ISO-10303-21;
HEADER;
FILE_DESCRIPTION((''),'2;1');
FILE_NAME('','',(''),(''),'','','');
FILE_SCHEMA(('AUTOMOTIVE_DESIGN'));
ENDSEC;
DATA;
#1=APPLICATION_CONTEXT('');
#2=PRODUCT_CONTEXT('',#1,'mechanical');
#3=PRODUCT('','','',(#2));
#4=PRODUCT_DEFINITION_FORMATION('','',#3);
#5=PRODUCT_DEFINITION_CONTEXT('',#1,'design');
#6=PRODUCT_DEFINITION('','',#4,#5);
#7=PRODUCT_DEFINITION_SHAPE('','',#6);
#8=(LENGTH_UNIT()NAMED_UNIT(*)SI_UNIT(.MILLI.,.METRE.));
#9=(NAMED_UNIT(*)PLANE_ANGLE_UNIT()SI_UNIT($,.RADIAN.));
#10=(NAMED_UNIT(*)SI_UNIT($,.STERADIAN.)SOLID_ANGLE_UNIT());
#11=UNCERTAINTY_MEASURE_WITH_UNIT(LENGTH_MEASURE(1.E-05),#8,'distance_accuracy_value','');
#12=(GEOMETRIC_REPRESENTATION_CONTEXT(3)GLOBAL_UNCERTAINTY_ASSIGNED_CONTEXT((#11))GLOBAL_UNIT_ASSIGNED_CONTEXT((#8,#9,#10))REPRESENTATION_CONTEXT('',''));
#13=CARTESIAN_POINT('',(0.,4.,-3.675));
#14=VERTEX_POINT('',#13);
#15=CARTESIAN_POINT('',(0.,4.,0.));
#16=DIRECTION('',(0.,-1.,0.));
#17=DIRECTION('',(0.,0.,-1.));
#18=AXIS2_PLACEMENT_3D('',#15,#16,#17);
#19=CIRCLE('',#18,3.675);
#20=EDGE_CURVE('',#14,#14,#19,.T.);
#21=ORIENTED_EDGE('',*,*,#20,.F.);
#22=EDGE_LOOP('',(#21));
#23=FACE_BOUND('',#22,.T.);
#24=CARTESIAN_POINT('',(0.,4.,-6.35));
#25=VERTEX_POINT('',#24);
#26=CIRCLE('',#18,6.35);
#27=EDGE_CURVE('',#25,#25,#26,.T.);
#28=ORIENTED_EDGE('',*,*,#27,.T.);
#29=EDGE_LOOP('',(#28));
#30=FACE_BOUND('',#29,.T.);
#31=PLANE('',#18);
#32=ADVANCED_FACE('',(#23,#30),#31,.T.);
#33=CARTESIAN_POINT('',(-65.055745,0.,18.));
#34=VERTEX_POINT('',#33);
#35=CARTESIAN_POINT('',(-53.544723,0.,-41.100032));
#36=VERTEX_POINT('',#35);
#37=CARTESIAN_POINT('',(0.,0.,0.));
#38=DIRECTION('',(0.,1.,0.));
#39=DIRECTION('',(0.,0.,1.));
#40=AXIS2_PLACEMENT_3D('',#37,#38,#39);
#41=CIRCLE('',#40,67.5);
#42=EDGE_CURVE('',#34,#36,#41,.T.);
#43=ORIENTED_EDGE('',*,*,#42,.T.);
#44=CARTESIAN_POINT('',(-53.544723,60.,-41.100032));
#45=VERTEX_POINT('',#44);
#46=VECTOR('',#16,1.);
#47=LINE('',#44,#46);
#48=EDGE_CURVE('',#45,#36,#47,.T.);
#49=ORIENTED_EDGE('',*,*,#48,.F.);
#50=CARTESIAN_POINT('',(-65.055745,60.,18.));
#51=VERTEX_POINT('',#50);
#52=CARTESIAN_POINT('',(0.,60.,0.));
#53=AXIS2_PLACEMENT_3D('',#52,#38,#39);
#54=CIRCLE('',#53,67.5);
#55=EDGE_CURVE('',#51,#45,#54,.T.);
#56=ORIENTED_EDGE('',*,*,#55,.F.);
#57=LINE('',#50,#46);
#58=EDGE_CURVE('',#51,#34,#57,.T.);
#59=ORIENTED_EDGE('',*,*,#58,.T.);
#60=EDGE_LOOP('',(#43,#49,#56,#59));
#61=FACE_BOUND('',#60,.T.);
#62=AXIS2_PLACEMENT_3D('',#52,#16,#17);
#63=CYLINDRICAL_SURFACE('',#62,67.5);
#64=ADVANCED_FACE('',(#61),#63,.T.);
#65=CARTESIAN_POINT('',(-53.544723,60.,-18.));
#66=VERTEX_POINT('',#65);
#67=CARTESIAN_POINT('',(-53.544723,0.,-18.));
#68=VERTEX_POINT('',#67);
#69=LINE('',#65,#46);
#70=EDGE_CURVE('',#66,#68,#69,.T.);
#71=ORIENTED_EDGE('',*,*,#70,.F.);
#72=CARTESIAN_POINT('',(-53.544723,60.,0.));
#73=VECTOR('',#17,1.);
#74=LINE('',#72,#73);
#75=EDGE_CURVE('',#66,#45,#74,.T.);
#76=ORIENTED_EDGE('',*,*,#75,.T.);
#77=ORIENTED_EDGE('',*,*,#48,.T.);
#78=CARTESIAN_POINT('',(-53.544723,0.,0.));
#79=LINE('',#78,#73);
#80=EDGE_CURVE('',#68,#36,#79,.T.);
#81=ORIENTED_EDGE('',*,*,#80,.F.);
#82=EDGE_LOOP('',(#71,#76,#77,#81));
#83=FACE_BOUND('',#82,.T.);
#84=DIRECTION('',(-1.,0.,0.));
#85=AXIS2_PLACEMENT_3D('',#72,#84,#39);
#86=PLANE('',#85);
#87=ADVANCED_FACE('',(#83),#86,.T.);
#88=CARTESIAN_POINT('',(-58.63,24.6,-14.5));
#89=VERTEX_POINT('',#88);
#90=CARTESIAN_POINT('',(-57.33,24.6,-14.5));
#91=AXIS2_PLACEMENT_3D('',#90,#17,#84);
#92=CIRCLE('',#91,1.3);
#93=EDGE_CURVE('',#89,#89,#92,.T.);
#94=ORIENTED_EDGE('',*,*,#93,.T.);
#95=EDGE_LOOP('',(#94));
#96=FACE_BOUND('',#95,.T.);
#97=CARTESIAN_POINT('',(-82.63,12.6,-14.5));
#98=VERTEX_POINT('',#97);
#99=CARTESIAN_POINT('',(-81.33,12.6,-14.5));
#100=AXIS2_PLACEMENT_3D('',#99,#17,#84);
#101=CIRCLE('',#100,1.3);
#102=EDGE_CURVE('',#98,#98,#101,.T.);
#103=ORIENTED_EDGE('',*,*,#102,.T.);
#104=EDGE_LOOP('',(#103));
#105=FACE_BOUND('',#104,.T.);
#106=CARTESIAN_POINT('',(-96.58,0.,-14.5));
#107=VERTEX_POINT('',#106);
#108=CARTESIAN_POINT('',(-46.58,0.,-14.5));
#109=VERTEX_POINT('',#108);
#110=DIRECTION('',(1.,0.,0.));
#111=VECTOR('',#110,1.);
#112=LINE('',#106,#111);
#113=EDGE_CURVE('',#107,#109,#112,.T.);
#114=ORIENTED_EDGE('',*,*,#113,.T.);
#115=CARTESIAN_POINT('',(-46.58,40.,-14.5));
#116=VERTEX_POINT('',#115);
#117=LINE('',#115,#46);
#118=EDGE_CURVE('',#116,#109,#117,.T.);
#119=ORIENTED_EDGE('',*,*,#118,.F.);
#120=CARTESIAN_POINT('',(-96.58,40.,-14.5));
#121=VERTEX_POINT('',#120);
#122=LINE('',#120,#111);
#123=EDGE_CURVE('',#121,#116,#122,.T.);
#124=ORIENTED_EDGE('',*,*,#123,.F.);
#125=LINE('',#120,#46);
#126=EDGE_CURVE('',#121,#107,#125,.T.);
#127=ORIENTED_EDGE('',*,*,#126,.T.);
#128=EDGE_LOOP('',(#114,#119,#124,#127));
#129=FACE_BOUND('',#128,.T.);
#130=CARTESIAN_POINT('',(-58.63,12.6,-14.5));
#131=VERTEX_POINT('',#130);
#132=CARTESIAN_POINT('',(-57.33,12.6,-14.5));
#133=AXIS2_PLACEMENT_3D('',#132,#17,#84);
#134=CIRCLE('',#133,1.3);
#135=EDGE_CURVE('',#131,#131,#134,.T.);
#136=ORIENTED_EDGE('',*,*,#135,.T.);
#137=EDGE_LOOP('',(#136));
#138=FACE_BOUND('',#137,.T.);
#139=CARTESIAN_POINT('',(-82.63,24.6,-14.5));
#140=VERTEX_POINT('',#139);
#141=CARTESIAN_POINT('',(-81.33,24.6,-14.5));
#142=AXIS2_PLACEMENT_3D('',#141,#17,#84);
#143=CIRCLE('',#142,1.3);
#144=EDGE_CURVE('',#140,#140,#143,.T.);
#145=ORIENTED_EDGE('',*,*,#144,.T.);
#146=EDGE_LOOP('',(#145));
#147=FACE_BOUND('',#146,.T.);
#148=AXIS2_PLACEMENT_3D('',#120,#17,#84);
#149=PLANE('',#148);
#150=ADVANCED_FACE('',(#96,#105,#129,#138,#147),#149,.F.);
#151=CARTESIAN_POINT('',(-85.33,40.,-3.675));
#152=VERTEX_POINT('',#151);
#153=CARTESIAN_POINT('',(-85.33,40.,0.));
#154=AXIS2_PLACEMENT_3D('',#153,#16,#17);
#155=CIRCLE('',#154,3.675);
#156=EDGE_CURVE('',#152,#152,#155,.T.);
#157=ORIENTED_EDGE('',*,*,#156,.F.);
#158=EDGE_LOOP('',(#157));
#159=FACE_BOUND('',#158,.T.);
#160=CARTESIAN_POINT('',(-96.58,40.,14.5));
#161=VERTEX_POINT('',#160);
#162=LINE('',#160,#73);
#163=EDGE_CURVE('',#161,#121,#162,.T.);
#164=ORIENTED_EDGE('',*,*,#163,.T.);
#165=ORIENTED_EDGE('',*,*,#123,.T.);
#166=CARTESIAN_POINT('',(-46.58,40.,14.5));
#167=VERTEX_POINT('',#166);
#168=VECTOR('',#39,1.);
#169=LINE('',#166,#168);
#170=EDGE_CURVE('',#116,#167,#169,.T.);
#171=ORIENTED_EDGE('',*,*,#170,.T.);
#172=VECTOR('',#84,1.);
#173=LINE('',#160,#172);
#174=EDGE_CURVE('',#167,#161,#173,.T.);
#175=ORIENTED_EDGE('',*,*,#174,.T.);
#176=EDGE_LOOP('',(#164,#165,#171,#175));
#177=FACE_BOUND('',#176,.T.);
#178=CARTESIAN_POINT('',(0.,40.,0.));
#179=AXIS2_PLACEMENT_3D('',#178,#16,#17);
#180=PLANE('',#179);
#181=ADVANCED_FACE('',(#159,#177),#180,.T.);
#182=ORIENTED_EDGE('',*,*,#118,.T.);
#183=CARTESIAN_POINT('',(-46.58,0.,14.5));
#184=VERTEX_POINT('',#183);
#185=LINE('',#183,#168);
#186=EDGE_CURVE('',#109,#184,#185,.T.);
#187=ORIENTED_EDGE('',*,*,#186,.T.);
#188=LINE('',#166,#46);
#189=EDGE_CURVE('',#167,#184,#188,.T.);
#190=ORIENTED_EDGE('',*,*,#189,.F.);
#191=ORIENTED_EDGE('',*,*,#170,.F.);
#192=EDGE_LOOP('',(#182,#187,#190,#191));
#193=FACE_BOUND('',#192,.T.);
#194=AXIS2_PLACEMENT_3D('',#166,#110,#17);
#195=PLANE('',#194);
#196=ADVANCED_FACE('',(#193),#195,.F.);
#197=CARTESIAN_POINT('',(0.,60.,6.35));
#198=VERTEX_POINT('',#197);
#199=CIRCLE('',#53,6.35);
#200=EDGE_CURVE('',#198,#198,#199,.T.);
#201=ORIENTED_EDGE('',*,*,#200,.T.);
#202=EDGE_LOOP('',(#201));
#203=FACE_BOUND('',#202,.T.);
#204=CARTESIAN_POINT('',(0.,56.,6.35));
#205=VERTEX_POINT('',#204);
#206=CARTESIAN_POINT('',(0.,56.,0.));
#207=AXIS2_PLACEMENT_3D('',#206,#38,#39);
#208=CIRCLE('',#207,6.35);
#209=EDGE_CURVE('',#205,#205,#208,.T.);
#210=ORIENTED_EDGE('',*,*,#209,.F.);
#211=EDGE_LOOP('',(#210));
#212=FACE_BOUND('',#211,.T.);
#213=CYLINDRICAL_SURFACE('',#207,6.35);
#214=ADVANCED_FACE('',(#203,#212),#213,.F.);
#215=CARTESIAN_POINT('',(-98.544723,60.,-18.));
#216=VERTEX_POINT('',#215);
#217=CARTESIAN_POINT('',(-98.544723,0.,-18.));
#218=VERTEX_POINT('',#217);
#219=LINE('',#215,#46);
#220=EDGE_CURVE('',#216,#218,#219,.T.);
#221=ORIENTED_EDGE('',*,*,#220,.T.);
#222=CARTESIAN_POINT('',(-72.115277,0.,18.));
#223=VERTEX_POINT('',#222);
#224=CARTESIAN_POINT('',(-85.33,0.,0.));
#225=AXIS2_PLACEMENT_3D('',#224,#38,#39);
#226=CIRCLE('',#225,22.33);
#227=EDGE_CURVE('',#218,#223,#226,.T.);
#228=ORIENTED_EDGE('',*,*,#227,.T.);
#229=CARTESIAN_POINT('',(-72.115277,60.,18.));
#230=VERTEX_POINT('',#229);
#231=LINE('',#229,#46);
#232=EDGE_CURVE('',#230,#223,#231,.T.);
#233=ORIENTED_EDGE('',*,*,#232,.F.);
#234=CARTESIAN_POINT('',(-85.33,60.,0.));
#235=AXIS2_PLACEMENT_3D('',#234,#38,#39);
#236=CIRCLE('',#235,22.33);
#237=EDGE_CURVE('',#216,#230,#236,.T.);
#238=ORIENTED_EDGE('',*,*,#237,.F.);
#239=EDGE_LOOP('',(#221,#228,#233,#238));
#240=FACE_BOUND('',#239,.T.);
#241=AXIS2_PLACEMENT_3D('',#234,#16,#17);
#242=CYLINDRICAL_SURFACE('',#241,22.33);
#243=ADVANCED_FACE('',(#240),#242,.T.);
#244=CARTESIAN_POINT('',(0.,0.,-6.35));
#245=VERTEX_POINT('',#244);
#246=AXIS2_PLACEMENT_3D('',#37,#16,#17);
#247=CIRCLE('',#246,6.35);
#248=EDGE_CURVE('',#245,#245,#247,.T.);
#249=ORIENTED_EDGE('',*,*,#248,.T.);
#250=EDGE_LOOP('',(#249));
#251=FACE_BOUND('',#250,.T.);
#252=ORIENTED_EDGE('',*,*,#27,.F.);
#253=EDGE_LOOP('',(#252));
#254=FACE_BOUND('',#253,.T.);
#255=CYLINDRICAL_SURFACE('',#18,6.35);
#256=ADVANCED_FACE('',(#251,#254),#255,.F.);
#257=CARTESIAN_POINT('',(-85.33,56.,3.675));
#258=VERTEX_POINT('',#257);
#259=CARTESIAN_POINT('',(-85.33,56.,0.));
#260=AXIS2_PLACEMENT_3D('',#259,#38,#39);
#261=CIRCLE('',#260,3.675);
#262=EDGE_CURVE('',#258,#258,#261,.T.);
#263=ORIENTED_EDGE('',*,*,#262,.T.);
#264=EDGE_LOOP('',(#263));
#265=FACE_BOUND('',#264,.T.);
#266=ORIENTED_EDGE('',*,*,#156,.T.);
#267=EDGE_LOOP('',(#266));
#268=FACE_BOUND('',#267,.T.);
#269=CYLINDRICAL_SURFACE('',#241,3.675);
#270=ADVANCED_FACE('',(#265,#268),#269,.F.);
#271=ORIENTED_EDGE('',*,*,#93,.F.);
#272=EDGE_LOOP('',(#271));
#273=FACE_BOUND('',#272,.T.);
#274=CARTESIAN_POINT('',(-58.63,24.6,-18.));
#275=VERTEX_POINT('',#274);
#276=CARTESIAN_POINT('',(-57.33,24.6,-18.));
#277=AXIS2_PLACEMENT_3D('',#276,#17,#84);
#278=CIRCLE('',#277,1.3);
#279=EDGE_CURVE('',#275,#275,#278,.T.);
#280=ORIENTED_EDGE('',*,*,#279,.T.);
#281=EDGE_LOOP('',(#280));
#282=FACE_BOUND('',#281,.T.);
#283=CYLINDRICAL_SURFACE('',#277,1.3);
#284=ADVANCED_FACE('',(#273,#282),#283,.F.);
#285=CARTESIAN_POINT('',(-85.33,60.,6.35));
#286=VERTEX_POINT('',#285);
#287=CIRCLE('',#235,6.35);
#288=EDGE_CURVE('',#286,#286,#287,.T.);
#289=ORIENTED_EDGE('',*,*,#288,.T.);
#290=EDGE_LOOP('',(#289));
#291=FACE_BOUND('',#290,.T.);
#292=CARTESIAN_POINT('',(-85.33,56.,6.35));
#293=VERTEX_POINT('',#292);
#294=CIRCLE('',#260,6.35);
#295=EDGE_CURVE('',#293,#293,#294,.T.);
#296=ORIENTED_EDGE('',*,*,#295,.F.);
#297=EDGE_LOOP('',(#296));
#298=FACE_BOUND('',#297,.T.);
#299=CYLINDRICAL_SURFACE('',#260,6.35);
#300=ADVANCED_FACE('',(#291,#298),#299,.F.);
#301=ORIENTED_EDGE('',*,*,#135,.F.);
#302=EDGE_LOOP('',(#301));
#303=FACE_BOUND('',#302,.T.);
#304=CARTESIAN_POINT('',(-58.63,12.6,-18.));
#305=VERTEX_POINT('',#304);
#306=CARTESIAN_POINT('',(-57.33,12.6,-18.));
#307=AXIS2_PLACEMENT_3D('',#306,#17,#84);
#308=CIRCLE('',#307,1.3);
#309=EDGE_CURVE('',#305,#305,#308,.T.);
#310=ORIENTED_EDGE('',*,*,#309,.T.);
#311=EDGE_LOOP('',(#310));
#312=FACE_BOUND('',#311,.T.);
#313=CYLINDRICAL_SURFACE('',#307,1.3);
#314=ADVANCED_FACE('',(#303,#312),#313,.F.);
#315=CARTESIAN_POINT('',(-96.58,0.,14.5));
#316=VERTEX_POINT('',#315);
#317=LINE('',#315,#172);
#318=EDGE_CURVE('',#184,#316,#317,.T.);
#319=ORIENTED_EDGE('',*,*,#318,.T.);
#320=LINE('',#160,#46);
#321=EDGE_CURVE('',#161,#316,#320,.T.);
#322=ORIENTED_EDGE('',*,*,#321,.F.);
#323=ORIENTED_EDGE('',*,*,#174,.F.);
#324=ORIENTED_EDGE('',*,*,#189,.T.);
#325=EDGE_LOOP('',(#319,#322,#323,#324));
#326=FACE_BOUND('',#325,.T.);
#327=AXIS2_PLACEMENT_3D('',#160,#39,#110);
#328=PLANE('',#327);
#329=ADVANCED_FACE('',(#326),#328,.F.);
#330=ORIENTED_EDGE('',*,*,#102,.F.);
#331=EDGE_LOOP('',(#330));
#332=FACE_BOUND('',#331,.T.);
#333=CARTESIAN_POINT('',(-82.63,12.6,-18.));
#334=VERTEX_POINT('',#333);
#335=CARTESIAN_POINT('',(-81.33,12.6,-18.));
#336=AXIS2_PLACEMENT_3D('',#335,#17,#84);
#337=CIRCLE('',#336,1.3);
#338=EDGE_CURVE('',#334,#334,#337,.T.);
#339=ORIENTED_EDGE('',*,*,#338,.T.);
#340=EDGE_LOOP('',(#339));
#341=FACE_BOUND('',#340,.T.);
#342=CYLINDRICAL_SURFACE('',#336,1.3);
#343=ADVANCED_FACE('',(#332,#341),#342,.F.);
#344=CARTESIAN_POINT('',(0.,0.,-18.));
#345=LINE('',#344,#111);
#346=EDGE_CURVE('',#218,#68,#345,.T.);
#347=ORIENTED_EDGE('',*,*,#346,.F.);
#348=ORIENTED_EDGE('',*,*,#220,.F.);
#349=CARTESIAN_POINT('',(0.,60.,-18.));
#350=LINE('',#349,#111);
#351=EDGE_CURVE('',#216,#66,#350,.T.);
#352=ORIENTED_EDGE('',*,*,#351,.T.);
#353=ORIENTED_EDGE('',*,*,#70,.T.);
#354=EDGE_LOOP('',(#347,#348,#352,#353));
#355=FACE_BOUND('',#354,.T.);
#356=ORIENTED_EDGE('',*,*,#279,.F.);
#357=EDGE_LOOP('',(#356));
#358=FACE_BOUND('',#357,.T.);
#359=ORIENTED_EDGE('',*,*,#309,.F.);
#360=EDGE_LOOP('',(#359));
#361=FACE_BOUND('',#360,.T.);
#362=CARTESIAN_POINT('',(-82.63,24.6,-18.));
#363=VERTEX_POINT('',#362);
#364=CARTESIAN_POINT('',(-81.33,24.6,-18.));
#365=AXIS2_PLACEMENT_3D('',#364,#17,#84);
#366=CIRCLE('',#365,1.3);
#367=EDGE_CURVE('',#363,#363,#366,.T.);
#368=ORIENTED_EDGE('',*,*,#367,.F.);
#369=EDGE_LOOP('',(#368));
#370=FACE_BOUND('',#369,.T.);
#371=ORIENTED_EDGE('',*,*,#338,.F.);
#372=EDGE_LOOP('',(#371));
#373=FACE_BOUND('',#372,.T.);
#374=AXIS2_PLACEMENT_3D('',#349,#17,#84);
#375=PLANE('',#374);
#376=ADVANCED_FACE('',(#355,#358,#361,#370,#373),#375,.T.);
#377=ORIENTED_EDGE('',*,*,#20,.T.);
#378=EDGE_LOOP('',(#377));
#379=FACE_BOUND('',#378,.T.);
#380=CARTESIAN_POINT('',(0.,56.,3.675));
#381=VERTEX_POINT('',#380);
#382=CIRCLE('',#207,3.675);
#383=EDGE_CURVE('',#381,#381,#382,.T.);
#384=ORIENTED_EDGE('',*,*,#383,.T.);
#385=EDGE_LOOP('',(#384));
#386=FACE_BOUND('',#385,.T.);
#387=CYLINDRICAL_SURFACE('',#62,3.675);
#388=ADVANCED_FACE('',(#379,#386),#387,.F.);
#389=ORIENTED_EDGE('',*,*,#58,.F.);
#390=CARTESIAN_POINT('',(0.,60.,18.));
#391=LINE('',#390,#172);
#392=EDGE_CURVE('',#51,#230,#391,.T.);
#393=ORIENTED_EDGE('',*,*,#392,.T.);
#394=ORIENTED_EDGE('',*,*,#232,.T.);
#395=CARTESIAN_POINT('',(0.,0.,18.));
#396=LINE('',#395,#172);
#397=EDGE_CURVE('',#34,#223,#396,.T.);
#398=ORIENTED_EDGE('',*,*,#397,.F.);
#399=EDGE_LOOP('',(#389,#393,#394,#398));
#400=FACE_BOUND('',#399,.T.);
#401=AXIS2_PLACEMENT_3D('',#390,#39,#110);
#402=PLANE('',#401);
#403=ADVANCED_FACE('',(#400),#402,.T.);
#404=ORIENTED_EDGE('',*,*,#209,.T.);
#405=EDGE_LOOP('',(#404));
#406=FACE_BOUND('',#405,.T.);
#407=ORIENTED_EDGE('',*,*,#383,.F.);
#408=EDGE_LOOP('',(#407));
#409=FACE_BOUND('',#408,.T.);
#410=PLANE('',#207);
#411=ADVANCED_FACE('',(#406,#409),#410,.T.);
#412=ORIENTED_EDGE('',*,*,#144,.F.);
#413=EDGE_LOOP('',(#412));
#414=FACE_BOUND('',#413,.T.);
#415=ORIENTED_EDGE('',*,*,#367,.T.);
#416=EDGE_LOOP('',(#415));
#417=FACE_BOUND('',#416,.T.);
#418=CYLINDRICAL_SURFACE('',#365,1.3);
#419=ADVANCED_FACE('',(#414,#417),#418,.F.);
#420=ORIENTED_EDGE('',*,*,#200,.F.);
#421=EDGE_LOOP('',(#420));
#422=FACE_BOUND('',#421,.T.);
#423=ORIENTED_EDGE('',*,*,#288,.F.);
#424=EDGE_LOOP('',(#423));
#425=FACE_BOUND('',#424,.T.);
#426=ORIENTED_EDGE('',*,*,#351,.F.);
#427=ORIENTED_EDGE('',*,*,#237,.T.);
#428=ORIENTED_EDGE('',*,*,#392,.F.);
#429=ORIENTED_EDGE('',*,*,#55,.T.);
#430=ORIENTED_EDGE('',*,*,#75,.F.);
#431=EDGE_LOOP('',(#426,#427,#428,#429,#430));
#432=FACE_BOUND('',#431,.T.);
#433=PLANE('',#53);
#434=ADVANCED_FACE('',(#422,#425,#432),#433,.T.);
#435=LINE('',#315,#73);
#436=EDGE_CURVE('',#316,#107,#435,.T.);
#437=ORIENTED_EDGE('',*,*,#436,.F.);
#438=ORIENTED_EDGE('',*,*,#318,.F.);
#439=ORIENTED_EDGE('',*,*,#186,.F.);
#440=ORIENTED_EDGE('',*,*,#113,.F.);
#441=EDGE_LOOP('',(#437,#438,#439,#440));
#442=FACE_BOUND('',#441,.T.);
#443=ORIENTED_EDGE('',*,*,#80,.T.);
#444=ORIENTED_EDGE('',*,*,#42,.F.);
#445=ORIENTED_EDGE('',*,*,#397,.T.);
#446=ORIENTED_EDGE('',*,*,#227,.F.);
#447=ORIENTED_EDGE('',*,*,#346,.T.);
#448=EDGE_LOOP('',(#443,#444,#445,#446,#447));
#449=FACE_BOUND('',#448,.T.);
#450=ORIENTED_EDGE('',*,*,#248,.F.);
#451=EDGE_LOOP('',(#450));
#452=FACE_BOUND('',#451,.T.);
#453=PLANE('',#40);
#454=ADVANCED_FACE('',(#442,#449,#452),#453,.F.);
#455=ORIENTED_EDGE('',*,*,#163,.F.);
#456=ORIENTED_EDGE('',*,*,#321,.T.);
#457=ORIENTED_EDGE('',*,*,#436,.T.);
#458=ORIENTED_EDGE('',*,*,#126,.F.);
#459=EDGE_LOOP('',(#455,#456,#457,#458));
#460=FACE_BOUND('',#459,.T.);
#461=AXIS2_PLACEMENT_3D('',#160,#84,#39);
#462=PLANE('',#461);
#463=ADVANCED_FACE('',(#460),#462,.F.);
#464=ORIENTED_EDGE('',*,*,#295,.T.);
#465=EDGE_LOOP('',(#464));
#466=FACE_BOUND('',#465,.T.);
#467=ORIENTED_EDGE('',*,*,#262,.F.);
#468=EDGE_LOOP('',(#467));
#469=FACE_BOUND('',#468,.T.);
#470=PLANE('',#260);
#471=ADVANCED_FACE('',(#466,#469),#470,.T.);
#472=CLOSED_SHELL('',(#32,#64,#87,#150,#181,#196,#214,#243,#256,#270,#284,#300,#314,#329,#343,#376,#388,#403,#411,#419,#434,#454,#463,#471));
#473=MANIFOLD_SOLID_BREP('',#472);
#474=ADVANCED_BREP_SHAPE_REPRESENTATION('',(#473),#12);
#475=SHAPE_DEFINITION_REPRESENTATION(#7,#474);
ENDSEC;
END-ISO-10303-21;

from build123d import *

# Parameters (mm, degrees)
ESQUISSE1_R             = 3.675
BOSS_EXTRU_1_DEPTH      = 60
ESQUISSE2_W             = 50
ESQUISSE2_H             = 29
ENL_V_MAT_EXTRU_1_DEPTH = 40
D_GAGEMENT_M21_D        = 2.6
D_GAGEMENT_M21_DEPTH    = 3.5
ESQUISSE4_R             = 6.35
ENL_V_MAT_EXTRU_2_DEPTH = 4
ENL_V_START             = -4
ESQUISSE5_R             = 6.35
ENL_V_MAT_EXTRU_3_DEPTH = 4
ESQUISSE6_R             = 6.35
ENL_V_MAT_EXTRU_4_DEPTH = 4


with BuildPart() as part:
    # Esquisse1 → Boss.-Extru.1 (new body)
    with BuildSketch(Plane(origin=(0, 0, 0), x_dir=(1, 0, 0), z_dir=(0, 1, 0))):
        with BuildLine():
            ThreePointArc((-98.54472285, 18), (-103.33, -13.21472285), (-72.11527715, -18))
            Line((-72.11527715, -18), (-65.055745327, -18))
            ThreePointArc((-65.055745327, -18), (66.254971265, -12.904603158), (-53.54472285, 41.100032298))
            Line((-53.54472285, 41.100032298), (-53.54472285, 18))
            Line((-53.54472285, 18), (-98.54472285, 18))
        make_face()
        with Locations(Location((-85.33, 0, 0), (0, 0, 270))):
            Circle(ESQUISSE1_R, mode=Mode.SUBTRACT)
        with Locations(Location((0, 0, 0), (0, 0, 270))):
            Circle(ESQUISSE1_R, mode=Mode.SUBTRACT)
    extrude(amount=BOSS_EXTRU_1_DEPTH)

    # Esquisse2 → Enlèv. mat.-Extru.1 (cut)
    with BuildSketch(Plane.XZ):
        with Locations((-71.58, 0)):
            Rectangle(ESQUISSE2_W, ESQUISSE2_H)
    extrude(amount=-ENL_V_MAT_EXTRU_1_DEPTH, mode=Mode.SUBTRACT)

    # Dégagement M21
    with Locations(Plane(origin=(-57.33, 24.6, -18), x_dir=(-1, 0, 0), z_dir=(0, 0, -1))):
        with Locations((0, 0), (24, 0), (24, -12), (0, -12)):
            Hole(D_GAGEMENT_M21_D / 2, depth=D_GAGEMENT_M21_DEPTH)

    # Esquisse4 → Enlèv. mat.-Extru.2 (cut)
    with BuildSketch(Plane.XZ):
        with Locations(Location((0, 0, 0), (0, 0, 270))):
            Circle(ESQUISSE4_R)
    extrude(amount=-ENL_V_MAT_EXTRU_2_DEPTH, mode=Mode.SUBTRACT)

    # Esquisse5 → Enlèv. mat.-Extru.3 (cut)
    with BuildSketch(Plane(origin=(0, 60, 0), x_dir=(1, 0, 0), z_dir=(0, 1, 0)).offset(ENL_V_START)):
        with Locations(Location((0, 0, 0), (0, 0, 90))):
            Circle(ESQUISSE5_R)
    extrude(amount=ENL_V_MAT_EXTRU_3_DEPTH, mode=Mode.SUBTRACT)

    # Esquisse6 → Enlèv. mat.-Extru.4 (cut)
    with BuildSketch(Plane(origin=(0, 60, 0), x_dir=(1, 0, 0), z_dir=(0, 1, 0))):
        with Locations(Location((-85.33, 0, 0), (0, 0, 270))):
            Circle(ESQUISSE6_R)
    extrude(amount=-ENL_V_MAT_EXTRU_4_DEPTH, mode=Mode.SUBTRACT)


solid = part.part
